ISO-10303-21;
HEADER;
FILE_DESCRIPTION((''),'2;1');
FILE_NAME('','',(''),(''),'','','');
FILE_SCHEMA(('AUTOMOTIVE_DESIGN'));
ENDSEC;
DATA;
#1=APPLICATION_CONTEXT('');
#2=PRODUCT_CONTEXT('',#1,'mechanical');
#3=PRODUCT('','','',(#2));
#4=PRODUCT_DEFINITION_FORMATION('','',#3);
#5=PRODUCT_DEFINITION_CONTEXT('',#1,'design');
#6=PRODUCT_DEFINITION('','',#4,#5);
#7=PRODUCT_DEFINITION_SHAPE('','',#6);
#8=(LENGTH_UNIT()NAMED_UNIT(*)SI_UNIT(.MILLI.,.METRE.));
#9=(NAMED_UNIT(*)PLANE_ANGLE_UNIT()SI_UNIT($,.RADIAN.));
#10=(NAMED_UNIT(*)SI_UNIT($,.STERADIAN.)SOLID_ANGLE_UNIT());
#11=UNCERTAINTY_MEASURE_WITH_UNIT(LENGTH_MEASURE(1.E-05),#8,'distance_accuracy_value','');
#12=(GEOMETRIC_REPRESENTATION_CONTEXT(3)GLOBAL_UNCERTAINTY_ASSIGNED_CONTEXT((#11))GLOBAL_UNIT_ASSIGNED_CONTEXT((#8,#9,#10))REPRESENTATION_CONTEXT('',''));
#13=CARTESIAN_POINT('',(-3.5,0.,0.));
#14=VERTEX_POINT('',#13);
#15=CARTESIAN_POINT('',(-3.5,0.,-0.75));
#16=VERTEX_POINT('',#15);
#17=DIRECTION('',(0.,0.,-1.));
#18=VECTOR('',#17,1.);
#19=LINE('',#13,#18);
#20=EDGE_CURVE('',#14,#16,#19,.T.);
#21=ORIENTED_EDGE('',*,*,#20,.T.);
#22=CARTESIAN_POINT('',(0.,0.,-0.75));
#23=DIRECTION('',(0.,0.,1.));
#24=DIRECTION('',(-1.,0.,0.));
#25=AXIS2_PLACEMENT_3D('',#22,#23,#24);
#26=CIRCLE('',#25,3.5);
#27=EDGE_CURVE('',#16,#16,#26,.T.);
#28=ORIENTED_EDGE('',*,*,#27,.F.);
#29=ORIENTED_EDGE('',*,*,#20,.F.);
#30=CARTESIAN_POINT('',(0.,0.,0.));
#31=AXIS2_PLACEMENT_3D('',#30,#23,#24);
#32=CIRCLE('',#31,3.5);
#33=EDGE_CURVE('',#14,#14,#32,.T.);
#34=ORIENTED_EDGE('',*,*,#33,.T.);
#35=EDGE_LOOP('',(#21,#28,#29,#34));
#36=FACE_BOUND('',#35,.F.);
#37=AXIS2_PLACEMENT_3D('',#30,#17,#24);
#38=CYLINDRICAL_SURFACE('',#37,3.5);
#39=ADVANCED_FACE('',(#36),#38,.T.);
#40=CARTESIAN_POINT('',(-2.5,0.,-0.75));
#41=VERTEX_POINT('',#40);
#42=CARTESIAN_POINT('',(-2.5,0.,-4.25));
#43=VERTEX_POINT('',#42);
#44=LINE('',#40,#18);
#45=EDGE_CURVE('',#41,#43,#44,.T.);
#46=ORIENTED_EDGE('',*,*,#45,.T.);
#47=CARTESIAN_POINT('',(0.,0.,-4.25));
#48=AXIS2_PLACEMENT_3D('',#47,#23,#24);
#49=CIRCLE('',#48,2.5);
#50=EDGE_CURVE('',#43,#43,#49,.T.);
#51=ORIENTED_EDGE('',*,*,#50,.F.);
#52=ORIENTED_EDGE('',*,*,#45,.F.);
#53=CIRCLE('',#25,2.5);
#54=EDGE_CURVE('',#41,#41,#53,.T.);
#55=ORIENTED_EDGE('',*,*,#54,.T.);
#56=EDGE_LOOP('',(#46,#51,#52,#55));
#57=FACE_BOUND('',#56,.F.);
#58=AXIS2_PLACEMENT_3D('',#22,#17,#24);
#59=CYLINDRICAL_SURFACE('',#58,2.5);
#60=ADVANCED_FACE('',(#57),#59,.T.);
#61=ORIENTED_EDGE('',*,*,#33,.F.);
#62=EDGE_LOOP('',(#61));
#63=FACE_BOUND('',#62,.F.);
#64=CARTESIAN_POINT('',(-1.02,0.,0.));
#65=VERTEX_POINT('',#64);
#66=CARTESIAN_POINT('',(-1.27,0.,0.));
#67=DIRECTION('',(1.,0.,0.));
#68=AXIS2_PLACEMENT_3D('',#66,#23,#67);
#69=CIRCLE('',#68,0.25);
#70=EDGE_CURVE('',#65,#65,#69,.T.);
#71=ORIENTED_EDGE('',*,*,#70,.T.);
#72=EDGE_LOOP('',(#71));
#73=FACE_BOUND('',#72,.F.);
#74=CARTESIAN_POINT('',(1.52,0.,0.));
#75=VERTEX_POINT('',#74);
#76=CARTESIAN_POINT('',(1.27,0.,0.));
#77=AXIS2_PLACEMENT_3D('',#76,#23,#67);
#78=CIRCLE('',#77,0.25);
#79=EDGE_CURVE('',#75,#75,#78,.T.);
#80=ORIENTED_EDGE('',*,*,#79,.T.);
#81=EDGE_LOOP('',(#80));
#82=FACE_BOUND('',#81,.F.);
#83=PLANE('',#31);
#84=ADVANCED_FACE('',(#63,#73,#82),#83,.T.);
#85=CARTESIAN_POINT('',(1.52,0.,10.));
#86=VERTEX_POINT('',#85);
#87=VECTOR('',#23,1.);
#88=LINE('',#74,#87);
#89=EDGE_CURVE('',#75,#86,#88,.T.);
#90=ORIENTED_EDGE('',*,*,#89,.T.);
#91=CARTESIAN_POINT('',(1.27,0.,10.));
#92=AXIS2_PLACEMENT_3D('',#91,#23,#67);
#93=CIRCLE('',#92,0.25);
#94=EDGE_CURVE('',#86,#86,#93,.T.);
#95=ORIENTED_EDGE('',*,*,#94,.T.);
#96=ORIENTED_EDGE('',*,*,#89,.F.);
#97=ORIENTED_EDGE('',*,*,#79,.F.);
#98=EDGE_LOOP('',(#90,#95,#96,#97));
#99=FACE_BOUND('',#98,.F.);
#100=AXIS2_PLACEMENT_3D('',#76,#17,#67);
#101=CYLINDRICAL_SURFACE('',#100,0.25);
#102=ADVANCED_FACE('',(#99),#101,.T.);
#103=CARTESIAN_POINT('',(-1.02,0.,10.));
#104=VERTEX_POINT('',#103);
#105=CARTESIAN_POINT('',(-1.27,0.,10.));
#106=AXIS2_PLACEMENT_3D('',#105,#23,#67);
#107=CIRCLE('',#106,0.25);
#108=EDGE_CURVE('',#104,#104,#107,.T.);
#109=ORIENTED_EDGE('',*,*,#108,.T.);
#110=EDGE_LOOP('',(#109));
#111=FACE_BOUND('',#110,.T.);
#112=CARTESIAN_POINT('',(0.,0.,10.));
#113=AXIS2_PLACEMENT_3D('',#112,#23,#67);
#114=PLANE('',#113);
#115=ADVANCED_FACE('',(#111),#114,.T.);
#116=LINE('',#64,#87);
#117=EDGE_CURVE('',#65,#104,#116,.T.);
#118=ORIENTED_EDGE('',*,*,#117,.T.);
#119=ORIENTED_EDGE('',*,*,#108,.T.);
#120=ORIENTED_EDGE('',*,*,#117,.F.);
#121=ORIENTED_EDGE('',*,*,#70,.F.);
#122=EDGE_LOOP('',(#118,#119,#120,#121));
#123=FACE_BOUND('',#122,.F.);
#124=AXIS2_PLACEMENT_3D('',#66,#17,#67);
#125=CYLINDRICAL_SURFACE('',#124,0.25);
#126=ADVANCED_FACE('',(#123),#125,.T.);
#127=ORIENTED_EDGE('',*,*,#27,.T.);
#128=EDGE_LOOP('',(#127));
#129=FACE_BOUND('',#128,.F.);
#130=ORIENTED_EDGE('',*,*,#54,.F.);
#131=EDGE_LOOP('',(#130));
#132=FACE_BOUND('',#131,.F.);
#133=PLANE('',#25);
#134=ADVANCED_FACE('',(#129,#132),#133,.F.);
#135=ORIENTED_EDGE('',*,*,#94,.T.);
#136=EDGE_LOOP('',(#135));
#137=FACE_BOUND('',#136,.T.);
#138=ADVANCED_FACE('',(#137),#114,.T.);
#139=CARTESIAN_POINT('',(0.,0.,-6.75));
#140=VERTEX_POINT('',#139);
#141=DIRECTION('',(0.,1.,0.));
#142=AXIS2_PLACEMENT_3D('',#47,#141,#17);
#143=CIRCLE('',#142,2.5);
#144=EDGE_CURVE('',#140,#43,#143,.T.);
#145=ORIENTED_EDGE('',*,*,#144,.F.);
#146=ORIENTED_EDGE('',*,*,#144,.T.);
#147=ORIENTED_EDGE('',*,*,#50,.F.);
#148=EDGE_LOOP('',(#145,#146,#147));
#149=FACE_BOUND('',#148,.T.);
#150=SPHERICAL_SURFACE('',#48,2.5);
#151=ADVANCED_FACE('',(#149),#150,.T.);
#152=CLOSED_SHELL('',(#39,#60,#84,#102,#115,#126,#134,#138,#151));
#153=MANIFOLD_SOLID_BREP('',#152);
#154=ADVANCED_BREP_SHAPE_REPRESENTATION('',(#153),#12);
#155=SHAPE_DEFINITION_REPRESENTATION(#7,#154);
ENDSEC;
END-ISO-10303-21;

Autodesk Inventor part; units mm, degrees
ref_plane "YZ Plane" through (0, 0, 0) normal (1, 0, 0) x (0, 1, 0)
ref_plane "XZ Plane" through (0, 0, 0) normal (0, 1, 0) x (-1, 0, 0)
ref_plane "XY Plane" through (0, 0, 0) normal (0, 0, 1) x (1, 0, 0)
sketch "Skizze1" plane through (0, 0, 0) normal (0, 1, 0) x (-1, 0, 0)
  line L0 (0, 0) -> (3.5, 0)
  line L1 (3.5, 0) -> (3.5, -0.75)
  line L2 (3.5, -0.75) -> (2.5, -0.75)
  line L3 (2.5, -0.75) -> (2.5, -4.25)
  line L4 (0, -6.75) -> (0, -6.75)
  line L5 (0, -6.75) -> (0, 0)
  arc A0 (0, -6.75) -> (2.5, -4.25) centre (0, -4.25) ccw
  point P0 (2.5, -6.75)
  dimension "d6" = 3.5
  dimension "d7" = 0.75
  dimension "d8" = 1
  dimension "d9" = 6
  dimension "d10" = 2.5
revolve "Umdrehung1" add sketch "Skizze1" angle 360 about axis through (0, 0, -6.75) along (0, 0, 1)
sketch "Skizze2" plane through (0, 0, 0) normal (0, 0, 1) x (1, 0, 0)
  circle A0 centre (0, 0) radius 3.5 projected
  circle A1 centre (0, 0) radius 3.5 projected
  circle A2 centre (-1.27, 0) radius 0.25
  circle A3 centre (1.27, 0) radius 0.25
  point P0 (0, 0)
  dimension "d11" = 0.5
  dimension "d12" = 0.5
  dimension "d13" = 1.27
  dimension "d14" = 1.27
extrude "Extrusion1" add sketch "Skizze2" along normal blind 10 contours A2 | A3
properties part number "licht_led_gelb"
